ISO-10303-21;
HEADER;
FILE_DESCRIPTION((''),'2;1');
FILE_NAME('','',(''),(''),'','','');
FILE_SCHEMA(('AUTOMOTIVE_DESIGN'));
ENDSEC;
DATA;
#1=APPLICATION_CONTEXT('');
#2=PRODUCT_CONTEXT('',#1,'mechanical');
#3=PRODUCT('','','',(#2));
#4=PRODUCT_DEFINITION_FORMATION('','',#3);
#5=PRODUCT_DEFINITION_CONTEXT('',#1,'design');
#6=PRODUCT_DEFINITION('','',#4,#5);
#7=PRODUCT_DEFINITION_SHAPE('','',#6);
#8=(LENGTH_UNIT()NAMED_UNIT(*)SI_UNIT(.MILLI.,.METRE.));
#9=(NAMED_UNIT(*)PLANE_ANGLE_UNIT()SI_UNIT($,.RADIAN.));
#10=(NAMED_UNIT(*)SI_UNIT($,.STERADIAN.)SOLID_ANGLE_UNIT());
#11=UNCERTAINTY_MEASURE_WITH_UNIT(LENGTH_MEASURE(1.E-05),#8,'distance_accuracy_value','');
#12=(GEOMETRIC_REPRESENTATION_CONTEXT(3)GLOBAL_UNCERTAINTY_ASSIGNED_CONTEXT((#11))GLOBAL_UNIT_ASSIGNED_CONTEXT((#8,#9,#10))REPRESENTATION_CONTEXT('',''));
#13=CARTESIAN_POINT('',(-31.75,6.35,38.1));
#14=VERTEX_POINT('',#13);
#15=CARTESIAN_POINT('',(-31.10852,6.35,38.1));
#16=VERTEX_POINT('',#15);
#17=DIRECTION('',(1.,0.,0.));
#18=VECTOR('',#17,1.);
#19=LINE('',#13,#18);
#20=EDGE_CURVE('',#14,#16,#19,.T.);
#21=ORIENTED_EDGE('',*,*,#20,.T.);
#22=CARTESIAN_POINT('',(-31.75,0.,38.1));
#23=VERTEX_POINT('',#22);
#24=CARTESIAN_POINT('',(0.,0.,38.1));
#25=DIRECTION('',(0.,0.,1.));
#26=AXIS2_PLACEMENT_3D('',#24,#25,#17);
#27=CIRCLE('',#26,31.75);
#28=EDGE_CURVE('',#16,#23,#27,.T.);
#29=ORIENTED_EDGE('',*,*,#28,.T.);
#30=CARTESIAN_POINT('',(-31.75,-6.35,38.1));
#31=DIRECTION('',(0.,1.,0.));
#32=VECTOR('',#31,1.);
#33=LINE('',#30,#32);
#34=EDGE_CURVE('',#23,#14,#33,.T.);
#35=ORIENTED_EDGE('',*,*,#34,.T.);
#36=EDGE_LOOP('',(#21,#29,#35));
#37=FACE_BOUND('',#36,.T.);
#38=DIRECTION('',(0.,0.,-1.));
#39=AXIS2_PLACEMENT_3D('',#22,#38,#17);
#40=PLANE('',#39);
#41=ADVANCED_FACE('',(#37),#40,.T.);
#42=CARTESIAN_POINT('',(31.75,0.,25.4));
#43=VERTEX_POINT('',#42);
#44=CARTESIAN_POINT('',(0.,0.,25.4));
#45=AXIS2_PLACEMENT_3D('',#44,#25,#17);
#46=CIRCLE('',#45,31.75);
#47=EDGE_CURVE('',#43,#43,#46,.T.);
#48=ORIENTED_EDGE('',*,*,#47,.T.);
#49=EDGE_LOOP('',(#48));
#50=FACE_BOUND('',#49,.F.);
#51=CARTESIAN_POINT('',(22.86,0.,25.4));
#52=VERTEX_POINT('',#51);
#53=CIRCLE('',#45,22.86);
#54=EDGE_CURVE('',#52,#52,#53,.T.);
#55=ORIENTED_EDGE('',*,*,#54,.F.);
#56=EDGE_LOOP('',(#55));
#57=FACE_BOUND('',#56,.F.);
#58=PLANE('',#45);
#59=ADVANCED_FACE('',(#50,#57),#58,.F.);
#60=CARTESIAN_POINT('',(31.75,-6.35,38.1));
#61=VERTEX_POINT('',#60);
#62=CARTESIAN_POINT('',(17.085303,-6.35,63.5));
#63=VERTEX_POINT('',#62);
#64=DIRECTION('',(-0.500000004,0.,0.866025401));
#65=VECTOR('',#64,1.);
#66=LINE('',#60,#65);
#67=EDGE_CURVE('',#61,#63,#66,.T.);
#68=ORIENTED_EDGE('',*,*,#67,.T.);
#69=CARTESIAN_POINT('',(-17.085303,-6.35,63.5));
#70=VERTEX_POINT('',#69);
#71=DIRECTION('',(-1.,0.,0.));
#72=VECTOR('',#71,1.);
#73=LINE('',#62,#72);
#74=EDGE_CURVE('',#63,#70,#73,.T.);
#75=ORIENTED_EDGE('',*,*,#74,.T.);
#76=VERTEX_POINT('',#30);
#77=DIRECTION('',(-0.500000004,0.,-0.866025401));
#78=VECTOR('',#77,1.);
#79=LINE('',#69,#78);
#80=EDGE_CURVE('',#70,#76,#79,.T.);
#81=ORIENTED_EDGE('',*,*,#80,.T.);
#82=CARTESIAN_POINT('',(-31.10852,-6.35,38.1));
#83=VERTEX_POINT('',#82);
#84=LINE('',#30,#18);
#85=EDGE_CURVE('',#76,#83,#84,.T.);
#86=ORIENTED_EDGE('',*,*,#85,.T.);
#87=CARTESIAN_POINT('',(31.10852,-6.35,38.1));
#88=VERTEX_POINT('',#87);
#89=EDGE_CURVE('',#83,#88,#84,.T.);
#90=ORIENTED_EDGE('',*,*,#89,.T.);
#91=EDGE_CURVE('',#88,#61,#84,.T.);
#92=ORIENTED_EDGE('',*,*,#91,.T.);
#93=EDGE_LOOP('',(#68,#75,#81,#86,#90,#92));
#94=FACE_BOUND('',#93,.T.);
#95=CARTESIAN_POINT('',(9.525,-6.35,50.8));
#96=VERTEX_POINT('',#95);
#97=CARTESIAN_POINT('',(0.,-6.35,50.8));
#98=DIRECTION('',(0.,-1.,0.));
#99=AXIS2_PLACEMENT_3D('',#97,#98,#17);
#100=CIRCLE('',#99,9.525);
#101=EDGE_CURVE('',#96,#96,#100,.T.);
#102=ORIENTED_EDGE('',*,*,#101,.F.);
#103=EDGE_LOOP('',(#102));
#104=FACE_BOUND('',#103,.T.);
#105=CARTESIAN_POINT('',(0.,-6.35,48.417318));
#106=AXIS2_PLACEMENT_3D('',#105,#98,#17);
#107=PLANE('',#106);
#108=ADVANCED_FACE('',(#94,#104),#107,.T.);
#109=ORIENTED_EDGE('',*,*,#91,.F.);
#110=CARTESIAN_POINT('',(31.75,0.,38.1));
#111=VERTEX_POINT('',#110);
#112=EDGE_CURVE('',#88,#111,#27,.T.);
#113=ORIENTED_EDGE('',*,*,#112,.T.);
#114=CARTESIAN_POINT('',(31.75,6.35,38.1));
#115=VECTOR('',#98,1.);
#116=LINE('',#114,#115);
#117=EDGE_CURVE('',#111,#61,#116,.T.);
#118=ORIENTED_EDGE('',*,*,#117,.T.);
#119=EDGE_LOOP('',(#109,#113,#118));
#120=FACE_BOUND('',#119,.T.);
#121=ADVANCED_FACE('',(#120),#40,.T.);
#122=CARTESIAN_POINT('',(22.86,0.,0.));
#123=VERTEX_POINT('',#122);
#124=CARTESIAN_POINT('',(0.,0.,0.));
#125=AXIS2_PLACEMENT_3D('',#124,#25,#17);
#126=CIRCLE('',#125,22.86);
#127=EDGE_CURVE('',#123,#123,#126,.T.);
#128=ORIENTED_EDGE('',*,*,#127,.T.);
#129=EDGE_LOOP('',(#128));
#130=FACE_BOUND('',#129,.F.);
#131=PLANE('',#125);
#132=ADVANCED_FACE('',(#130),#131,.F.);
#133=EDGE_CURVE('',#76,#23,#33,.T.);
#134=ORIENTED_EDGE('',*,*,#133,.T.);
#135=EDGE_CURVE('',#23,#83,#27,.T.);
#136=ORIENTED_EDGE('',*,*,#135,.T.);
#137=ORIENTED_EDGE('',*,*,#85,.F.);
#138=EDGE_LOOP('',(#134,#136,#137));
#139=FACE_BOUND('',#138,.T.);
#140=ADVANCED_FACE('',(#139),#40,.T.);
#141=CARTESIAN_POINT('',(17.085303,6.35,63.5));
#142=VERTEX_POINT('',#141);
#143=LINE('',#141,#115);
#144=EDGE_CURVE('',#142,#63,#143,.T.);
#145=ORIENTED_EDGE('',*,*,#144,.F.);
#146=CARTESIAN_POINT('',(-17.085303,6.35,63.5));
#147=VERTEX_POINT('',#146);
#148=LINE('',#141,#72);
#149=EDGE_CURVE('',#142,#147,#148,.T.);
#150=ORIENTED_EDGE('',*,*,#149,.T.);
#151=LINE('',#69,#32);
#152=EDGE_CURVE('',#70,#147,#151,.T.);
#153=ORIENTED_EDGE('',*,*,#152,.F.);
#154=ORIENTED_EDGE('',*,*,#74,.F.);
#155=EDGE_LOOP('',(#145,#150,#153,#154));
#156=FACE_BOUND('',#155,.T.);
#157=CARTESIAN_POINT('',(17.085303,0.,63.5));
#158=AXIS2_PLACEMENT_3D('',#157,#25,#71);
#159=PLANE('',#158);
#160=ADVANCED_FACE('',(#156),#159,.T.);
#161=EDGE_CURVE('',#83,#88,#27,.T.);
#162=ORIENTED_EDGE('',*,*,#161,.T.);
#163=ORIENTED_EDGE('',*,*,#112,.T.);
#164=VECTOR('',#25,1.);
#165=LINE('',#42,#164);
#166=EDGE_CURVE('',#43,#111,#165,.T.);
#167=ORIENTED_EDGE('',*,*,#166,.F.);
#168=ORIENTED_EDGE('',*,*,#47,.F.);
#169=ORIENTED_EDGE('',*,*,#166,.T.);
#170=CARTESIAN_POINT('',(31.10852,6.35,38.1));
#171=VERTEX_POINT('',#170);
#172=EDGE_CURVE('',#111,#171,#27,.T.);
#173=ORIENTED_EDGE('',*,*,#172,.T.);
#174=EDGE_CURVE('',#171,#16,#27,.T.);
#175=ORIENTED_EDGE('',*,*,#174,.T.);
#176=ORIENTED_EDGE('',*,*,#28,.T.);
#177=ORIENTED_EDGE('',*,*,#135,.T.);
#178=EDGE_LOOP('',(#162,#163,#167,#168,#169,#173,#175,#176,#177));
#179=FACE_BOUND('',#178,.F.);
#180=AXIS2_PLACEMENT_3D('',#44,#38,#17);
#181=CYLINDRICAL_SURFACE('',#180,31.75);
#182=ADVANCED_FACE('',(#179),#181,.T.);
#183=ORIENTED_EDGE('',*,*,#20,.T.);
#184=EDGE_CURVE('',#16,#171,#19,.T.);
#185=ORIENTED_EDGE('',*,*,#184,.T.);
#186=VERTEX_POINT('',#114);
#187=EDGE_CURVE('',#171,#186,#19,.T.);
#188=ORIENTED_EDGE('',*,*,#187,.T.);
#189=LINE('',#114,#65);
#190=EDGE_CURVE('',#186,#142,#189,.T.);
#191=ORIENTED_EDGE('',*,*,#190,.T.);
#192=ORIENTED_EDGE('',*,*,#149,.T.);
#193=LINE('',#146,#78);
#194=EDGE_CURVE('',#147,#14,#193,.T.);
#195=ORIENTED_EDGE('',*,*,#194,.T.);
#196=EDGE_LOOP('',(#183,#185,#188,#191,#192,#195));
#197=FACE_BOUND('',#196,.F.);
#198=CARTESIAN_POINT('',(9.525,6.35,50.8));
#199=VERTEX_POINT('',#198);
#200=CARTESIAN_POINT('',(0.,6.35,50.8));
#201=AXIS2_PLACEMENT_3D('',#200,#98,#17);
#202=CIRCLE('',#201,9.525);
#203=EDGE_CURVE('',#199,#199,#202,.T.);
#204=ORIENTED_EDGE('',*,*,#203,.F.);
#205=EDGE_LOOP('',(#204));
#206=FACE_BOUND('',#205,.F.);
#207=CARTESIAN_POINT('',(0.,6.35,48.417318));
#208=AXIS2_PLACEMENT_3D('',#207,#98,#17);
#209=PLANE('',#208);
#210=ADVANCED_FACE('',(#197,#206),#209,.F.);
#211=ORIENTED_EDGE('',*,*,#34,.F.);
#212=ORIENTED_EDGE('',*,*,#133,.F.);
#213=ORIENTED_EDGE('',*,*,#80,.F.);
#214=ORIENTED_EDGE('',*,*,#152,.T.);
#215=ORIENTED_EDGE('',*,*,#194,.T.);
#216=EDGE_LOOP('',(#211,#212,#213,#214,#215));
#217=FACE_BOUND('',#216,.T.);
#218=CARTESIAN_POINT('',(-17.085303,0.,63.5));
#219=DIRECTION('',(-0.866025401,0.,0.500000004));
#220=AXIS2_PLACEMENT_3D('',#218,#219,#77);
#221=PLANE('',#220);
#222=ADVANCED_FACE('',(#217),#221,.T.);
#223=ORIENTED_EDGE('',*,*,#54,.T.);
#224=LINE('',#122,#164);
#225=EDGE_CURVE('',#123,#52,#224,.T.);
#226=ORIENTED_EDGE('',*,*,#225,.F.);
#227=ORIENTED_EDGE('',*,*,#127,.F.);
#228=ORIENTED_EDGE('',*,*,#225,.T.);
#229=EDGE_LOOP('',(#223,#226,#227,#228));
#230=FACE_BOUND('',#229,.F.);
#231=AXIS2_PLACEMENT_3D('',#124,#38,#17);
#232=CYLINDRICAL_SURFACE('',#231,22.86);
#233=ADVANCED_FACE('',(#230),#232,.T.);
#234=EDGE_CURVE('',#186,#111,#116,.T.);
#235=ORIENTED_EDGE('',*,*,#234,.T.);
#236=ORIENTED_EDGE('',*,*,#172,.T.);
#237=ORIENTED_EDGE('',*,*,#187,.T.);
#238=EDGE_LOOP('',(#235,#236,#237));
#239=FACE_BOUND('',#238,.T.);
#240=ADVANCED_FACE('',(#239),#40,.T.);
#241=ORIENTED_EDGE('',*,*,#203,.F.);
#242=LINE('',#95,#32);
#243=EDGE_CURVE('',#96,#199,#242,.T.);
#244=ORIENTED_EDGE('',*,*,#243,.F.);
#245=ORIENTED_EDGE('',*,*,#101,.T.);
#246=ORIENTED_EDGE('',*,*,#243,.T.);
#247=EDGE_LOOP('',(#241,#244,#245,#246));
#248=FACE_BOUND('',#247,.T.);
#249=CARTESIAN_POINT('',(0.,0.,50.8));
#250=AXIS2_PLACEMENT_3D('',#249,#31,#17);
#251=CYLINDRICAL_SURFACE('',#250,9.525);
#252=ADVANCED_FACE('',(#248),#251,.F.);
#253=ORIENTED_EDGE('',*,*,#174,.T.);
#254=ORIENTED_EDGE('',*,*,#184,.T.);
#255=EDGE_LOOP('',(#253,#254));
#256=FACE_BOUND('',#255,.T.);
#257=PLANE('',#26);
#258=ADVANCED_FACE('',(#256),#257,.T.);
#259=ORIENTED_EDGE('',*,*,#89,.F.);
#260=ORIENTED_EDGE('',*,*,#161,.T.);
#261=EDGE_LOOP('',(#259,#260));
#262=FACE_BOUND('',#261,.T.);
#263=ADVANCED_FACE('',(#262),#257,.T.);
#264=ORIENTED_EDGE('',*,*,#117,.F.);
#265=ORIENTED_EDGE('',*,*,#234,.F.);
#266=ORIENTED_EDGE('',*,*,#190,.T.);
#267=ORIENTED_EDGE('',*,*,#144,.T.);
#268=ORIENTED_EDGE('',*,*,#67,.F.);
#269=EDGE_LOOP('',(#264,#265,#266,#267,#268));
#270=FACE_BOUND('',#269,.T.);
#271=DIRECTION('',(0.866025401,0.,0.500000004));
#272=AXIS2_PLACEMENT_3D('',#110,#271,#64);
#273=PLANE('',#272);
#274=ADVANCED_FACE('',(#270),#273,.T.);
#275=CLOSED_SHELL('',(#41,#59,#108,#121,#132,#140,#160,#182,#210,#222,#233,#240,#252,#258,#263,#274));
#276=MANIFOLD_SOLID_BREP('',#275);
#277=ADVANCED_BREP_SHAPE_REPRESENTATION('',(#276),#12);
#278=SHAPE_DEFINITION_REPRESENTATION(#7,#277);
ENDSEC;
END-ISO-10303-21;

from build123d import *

# Parameters (mm, degrees)
F0_R     = 22.86
F1_DEPTH = 25.4
F2_R     = 31.75
F3_DEPTH = 12.7
F4_R     = 9.525
F5_DEPTH = 6.35


with BuildPart() as f1:
    # F0 (on Top) → F1 (new body)
    with BuildSketch(Plane.XY):
        Circle(F0_R)
    extrude(amount=F1_DEPTH)

    # F2 (on face) → F3 (join)
    with BuildSketch(Plane.XY.offset(25.4)):
        Circle(F2_R)
    extrude(amount=F3_DEPTH)

    # F4 (on Front) → F5 (join, symmetric)
    with BuildSketch(Plane.XZ):
        Polygon((-31.75, 38.1), (0, 38.1), (31.75, 38.1), (17.085303, 63.5), (0, 63.5), (-17.085303, 63.5), align=None)
        with Locations((0, 50.8)):
            Circle(F4_R, mode=Mode.SUBTRACT)
    extrude(amount=F5_DEPTH, both=True)


solid = f1.part
